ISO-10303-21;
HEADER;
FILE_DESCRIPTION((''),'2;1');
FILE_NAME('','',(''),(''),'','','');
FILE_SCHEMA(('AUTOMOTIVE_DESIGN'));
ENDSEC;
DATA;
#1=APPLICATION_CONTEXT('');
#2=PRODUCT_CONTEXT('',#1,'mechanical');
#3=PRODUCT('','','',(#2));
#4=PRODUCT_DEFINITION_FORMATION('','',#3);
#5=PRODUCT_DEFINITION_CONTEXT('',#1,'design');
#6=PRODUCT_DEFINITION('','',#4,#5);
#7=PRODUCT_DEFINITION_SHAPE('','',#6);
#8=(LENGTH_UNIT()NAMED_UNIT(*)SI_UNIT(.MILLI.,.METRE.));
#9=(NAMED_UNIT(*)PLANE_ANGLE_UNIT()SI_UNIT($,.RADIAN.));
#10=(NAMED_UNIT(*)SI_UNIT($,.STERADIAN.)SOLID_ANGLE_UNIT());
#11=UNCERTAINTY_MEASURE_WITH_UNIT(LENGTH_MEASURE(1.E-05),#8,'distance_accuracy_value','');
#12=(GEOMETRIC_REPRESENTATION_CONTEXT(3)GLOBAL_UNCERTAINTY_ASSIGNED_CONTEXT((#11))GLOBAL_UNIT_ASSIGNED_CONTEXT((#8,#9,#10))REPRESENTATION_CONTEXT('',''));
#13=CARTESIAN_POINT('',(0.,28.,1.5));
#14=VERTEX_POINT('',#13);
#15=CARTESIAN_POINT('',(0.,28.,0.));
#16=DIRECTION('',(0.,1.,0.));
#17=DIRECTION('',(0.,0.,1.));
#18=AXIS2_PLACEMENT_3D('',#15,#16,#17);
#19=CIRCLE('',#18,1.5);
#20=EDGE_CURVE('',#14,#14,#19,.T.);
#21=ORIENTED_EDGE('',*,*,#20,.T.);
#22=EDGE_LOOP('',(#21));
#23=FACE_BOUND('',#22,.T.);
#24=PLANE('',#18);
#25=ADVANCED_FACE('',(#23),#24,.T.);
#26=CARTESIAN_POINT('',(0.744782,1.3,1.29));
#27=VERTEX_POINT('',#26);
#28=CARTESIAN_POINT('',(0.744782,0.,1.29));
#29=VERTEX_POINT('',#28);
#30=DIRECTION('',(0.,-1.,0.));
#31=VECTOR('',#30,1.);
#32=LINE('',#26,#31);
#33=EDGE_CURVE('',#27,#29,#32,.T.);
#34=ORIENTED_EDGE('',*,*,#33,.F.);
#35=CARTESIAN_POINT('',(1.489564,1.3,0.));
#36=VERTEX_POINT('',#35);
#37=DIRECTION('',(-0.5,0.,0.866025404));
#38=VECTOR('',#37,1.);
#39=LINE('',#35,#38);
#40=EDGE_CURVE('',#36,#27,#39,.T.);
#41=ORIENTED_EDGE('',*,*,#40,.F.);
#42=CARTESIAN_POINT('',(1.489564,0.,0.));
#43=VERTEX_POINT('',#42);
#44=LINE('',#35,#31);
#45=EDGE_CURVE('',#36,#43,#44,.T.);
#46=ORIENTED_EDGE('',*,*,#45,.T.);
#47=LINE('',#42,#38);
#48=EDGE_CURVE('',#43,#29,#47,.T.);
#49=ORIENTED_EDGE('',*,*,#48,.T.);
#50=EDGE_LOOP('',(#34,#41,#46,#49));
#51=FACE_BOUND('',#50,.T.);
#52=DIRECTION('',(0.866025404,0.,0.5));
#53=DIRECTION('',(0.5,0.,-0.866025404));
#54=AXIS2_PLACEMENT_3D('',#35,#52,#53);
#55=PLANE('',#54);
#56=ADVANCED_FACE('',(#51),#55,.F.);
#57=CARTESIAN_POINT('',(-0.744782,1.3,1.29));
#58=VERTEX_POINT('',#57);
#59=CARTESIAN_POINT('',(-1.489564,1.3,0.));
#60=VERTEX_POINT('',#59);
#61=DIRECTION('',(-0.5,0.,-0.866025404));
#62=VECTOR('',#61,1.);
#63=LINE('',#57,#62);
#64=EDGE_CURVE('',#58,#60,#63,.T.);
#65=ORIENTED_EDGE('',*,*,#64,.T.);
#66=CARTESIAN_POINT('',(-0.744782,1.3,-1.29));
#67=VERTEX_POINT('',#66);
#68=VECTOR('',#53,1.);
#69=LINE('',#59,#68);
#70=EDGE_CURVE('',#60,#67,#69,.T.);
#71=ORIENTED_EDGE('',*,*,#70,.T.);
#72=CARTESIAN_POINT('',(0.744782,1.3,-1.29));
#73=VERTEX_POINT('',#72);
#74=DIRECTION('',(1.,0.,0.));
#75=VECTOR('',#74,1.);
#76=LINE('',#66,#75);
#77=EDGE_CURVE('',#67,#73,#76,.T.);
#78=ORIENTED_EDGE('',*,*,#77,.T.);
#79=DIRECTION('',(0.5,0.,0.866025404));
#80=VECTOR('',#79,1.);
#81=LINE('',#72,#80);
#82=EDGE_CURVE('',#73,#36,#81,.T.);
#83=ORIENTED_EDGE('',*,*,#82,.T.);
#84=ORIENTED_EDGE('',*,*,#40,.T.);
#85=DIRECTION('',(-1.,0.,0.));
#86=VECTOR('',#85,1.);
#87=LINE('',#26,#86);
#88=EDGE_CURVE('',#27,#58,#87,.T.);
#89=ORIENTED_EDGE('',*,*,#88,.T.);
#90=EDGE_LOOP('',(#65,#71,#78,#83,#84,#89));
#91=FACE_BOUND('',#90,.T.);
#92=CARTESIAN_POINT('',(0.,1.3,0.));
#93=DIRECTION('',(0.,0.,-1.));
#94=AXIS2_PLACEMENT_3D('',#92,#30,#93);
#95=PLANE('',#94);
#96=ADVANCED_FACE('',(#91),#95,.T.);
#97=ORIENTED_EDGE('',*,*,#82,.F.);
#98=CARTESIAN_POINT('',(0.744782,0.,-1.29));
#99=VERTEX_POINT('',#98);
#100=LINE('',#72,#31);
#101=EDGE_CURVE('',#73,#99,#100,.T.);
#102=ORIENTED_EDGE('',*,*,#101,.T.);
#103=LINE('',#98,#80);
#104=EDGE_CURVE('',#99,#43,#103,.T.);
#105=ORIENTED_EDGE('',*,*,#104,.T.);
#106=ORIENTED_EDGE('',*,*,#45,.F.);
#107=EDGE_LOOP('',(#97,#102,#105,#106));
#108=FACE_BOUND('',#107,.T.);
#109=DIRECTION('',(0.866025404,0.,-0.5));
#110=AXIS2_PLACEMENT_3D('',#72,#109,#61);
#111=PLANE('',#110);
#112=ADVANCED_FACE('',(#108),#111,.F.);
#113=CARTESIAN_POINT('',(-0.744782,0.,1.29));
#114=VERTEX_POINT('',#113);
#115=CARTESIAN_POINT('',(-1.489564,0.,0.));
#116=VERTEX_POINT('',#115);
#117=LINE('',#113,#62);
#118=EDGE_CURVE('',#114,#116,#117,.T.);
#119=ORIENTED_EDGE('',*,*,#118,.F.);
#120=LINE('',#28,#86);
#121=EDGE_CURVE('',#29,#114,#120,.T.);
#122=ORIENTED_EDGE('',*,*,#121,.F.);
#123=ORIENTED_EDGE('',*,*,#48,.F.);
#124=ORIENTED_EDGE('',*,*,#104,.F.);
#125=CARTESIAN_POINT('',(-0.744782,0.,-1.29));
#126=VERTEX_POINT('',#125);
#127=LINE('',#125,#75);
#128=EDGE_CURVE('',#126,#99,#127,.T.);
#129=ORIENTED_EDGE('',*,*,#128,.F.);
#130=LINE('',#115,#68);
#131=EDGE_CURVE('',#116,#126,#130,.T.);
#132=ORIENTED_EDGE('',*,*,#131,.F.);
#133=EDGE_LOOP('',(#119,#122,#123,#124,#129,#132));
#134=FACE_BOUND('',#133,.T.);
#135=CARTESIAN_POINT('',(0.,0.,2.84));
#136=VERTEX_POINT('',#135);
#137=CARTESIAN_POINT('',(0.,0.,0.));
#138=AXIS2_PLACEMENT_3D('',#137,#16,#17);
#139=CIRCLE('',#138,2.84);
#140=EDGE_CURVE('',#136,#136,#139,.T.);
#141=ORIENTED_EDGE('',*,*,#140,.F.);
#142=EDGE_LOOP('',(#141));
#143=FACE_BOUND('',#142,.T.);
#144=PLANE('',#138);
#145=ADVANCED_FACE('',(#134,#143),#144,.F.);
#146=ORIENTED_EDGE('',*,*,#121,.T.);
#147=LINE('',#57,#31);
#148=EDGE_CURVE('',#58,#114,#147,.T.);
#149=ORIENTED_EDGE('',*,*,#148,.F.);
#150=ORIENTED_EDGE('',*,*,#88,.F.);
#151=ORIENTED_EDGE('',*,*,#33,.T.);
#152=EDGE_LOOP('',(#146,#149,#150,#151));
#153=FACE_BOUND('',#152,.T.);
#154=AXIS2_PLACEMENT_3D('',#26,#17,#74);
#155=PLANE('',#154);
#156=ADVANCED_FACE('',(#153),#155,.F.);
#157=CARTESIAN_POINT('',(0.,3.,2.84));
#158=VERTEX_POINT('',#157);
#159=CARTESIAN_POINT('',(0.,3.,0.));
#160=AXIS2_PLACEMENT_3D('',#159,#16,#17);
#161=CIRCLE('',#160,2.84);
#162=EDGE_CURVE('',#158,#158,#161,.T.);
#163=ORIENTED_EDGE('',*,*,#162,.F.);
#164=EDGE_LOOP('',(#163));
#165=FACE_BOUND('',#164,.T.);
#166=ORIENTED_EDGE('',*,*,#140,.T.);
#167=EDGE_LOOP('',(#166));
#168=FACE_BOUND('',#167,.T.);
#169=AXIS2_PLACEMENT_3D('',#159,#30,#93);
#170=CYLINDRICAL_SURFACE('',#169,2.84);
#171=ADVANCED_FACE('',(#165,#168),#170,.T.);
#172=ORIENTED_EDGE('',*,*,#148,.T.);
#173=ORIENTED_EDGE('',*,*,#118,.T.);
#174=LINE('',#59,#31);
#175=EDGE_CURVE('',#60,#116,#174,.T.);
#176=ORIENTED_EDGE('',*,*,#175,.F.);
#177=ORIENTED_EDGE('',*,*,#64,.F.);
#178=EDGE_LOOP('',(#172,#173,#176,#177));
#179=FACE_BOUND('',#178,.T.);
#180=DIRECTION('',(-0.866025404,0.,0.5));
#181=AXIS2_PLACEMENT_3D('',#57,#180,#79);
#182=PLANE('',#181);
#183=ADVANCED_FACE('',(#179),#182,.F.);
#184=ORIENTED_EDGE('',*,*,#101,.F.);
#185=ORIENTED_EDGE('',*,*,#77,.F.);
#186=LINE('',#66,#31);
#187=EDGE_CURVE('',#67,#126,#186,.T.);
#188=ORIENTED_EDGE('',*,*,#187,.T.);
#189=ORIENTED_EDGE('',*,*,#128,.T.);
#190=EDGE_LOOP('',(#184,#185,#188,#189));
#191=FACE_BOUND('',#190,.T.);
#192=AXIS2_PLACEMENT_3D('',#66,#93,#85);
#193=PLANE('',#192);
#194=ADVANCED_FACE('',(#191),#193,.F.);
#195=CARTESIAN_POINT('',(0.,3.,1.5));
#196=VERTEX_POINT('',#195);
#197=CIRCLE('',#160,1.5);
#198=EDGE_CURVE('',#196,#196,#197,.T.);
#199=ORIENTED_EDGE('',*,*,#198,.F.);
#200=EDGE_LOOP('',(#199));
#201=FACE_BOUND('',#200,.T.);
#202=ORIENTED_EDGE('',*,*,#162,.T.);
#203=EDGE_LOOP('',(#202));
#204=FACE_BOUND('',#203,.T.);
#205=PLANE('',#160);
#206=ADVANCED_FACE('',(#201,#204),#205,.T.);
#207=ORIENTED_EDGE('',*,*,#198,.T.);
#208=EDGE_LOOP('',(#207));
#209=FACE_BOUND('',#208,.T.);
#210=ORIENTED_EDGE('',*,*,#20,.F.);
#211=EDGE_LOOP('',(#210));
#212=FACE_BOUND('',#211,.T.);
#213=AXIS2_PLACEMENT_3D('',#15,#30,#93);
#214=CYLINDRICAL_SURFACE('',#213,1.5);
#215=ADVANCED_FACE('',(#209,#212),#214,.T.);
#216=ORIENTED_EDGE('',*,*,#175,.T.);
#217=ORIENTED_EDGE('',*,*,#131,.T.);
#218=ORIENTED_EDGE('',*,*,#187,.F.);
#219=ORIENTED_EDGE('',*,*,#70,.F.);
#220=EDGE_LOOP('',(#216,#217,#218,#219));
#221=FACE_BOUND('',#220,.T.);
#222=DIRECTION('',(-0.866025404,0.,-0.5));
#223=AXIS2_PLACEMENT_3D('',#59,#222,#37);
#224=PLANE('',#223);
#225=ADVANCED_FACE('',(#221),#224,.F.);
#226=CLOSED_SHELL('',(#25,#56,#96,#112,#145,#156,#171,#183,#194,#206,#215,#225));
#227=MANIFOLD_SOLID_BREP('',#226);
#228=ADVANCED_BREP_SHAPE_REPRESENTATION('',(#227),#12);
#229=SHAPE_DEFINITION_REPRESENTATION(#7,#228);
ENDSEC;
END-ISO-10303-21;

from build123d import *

# Parameters (mm, degrees)
SKETCH1_R           = 2.84
BOSS_EXTRUDE1_DEPTH = 3
SKETCH2_R           = 1.5
BOSS_EXTRUDE2_DEPTH = 25
CUT_EXTRUDE1_DEPTH  = 1.3


with BuildPart() as part:
    # Sketch1 → Boss-Extrude1 (new body)
    with BuildSketch(Plane(origin=(0, 0, 0), x_dir=(1, 0, 0), z_dir=(0, 1, 0))):
        with Locations(Location((0, 0, 0), (0, 0, 270))):
            Circle(SKETCH1_R)
    extrude(amount=BOSS_EXTRUDE1_DEPTH)

    # Sketch2 → Boss-Extrude2 (add)
    with BuildSketch(Plane(origin=(0, 3, 0), x_dir=(1, 0, 0), z_dir=(0, 1, 0))):
        with Locations(Location((0, 0, 0), (0, 0, 270))):
            Circle(SKETCH2_R)
    extrude(amount=BOSS_EXTRUDE2_DEPTH)

    # Sketch3 → Cut-Extrude1 (cut)
    with BuildSketch(Plane.XZ):
        Polygon((0.744781847, 1.29), (-0.744781847, 1.29), (-1.489563695, 0), (-0.744781847, -1.29), (0.744781847, -1.29), (1.489563695, 0), align=None)
    extrude(amount=-CUT_EXTRUDE1_DEPTH, mode=Mode.SUBTRACT)


solid = part.part
